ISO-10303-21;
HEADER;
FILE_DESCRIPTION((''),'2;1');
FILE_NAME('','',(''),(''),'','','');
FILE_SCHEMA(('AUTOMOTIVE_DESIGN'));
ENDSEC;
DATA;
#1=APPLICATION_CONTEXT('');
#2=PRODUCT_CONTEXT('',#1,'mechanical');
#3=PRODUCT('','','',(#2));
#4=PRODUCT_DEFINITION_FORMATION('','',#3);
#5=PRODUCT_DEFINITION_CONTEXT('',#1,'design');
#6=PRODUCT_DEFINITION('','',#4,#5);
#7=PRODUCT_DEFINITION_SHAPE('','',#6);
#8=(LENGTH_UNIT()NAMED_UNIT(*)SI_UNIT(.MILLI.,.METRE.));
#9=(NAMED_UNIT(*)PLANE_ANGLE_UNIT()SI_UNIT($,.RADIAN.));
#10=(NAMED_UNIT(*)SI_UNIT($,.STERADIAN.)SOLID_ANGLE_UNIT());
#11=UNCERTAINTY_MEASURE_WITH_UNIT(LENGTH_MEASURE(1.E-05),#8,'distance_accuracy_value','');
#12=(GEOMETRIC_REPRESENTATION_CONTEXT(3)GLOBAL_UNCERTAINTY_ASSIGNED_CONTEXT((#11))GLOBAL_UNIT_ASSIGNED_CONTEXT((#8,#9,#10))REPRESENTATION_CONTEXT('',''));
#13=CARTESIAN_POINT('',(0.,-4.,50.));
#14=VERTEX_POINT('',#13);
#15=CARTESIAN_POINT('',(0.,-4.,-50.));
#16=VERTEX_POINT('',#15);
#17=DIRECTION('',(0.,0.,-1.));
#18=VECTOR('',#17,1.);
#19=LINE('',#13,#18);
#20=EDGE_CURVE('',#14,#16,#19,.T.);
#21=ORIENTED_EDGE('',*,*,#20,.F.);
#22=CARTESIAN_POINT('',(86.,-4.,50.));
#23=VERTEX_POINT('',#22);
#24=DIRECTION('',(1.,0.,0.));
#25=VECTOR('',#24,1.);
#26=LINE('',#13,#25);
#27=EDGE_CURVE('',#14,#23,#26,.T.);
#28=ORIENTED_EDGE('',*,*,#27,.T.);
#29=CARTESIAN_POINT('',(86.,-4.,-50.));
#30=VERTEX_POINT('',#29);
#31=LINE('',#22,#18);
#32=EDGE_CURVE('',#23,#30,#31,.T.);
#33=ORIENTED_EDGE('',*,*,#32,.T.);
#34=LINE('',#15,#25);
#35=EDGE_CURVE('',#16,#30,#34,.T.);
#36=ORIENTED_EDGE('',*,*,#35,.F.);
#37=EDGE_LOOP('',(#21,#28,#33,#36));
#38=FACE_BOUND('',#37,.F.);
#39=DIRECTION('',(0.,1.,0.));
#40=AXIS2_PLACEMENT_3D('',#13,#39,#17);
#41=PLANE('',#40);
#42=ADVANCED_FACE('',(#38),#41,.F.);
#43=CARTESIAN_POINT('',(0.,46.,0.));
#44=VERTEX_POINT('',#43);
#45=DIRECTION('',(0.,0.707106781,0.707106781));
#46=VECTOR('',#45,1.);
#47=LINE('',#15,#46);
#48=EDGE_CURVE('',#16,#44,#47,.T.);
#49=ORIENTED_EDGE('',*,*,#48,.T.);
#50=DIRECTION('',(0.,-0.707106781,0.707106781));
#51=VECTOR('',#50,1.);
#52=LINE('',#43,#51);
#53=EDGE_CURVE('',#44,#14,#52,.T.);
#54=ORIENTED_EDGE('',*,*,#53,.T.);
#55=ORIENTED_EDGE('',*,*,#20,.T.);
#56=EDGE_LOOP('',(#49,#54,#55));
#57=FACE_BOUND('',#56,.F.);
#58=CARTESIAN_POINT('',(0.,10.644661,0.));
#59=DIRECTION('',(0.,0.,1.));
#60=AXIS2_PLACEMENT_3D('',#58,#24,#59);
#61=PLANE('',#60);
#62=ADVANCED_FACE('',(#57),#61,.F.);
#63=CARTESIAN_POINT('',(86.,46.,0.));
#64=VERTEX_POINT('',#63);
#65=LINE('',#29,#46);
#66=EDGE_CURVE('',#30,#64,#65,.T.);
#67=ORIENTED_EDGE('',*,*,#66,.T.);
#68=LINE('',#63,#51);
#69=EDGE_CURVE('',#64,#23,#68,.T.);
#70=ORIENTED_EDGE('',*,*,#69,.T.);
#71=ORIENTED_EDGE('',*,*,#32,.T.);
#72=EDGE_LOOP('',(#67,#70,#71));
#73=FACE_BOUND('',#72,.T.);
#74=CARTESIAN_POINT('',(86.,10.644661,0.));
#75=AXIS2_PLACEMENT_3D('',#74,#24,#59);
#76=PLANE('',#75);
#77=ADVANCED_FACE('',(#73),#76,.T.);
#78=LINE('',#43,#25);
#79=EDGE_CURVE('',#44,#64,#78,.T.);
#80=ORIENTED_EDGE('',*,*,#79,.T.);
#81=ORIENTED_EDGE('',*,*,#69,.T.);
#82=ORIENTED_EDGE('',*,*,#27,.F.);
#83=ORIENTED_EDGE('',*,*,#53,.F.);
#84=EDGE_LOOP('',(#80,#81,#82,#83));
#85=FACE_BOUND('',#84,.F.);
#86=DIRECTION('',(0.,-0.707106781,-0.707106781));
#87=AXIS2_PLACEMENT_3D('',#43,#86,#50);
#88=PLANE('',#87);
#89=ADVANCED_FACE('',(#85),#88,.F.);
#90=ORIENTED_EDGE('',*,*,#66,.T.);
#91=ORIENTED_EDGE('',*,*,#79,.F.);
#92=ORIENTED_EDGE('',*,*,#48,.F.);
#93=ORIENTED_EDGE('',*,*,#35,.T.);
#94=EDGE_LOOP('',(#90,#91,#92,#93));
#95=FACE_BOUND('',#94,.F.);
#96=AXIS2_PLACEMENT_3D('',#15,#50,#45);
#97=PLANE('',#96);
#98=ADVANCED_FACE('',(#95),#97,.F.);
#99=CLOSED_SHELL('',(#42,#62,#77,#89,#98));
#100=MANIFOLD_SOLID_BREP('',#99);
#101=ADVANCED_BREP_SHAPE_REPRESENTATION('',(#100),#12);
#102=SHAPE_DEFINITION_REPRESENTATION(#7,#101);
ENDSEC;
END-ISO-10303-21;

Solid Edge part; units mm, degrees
sketch "Sketch1" plane through (0, 0, 0) normal (1, 0, 0) x (0, 1, 0)
  line L0 (-4, 50) -> (-4, -50)
  line L1 (-4, -50) -> (46, 0)
  line L2 (46, 0) -> (-4, 50)
  dimension "D1" = 100
  dimension "D2" = 50
extrude "Protrusion1" add sketch "Sketch1" along normal blind 86
properties material "Steel"
